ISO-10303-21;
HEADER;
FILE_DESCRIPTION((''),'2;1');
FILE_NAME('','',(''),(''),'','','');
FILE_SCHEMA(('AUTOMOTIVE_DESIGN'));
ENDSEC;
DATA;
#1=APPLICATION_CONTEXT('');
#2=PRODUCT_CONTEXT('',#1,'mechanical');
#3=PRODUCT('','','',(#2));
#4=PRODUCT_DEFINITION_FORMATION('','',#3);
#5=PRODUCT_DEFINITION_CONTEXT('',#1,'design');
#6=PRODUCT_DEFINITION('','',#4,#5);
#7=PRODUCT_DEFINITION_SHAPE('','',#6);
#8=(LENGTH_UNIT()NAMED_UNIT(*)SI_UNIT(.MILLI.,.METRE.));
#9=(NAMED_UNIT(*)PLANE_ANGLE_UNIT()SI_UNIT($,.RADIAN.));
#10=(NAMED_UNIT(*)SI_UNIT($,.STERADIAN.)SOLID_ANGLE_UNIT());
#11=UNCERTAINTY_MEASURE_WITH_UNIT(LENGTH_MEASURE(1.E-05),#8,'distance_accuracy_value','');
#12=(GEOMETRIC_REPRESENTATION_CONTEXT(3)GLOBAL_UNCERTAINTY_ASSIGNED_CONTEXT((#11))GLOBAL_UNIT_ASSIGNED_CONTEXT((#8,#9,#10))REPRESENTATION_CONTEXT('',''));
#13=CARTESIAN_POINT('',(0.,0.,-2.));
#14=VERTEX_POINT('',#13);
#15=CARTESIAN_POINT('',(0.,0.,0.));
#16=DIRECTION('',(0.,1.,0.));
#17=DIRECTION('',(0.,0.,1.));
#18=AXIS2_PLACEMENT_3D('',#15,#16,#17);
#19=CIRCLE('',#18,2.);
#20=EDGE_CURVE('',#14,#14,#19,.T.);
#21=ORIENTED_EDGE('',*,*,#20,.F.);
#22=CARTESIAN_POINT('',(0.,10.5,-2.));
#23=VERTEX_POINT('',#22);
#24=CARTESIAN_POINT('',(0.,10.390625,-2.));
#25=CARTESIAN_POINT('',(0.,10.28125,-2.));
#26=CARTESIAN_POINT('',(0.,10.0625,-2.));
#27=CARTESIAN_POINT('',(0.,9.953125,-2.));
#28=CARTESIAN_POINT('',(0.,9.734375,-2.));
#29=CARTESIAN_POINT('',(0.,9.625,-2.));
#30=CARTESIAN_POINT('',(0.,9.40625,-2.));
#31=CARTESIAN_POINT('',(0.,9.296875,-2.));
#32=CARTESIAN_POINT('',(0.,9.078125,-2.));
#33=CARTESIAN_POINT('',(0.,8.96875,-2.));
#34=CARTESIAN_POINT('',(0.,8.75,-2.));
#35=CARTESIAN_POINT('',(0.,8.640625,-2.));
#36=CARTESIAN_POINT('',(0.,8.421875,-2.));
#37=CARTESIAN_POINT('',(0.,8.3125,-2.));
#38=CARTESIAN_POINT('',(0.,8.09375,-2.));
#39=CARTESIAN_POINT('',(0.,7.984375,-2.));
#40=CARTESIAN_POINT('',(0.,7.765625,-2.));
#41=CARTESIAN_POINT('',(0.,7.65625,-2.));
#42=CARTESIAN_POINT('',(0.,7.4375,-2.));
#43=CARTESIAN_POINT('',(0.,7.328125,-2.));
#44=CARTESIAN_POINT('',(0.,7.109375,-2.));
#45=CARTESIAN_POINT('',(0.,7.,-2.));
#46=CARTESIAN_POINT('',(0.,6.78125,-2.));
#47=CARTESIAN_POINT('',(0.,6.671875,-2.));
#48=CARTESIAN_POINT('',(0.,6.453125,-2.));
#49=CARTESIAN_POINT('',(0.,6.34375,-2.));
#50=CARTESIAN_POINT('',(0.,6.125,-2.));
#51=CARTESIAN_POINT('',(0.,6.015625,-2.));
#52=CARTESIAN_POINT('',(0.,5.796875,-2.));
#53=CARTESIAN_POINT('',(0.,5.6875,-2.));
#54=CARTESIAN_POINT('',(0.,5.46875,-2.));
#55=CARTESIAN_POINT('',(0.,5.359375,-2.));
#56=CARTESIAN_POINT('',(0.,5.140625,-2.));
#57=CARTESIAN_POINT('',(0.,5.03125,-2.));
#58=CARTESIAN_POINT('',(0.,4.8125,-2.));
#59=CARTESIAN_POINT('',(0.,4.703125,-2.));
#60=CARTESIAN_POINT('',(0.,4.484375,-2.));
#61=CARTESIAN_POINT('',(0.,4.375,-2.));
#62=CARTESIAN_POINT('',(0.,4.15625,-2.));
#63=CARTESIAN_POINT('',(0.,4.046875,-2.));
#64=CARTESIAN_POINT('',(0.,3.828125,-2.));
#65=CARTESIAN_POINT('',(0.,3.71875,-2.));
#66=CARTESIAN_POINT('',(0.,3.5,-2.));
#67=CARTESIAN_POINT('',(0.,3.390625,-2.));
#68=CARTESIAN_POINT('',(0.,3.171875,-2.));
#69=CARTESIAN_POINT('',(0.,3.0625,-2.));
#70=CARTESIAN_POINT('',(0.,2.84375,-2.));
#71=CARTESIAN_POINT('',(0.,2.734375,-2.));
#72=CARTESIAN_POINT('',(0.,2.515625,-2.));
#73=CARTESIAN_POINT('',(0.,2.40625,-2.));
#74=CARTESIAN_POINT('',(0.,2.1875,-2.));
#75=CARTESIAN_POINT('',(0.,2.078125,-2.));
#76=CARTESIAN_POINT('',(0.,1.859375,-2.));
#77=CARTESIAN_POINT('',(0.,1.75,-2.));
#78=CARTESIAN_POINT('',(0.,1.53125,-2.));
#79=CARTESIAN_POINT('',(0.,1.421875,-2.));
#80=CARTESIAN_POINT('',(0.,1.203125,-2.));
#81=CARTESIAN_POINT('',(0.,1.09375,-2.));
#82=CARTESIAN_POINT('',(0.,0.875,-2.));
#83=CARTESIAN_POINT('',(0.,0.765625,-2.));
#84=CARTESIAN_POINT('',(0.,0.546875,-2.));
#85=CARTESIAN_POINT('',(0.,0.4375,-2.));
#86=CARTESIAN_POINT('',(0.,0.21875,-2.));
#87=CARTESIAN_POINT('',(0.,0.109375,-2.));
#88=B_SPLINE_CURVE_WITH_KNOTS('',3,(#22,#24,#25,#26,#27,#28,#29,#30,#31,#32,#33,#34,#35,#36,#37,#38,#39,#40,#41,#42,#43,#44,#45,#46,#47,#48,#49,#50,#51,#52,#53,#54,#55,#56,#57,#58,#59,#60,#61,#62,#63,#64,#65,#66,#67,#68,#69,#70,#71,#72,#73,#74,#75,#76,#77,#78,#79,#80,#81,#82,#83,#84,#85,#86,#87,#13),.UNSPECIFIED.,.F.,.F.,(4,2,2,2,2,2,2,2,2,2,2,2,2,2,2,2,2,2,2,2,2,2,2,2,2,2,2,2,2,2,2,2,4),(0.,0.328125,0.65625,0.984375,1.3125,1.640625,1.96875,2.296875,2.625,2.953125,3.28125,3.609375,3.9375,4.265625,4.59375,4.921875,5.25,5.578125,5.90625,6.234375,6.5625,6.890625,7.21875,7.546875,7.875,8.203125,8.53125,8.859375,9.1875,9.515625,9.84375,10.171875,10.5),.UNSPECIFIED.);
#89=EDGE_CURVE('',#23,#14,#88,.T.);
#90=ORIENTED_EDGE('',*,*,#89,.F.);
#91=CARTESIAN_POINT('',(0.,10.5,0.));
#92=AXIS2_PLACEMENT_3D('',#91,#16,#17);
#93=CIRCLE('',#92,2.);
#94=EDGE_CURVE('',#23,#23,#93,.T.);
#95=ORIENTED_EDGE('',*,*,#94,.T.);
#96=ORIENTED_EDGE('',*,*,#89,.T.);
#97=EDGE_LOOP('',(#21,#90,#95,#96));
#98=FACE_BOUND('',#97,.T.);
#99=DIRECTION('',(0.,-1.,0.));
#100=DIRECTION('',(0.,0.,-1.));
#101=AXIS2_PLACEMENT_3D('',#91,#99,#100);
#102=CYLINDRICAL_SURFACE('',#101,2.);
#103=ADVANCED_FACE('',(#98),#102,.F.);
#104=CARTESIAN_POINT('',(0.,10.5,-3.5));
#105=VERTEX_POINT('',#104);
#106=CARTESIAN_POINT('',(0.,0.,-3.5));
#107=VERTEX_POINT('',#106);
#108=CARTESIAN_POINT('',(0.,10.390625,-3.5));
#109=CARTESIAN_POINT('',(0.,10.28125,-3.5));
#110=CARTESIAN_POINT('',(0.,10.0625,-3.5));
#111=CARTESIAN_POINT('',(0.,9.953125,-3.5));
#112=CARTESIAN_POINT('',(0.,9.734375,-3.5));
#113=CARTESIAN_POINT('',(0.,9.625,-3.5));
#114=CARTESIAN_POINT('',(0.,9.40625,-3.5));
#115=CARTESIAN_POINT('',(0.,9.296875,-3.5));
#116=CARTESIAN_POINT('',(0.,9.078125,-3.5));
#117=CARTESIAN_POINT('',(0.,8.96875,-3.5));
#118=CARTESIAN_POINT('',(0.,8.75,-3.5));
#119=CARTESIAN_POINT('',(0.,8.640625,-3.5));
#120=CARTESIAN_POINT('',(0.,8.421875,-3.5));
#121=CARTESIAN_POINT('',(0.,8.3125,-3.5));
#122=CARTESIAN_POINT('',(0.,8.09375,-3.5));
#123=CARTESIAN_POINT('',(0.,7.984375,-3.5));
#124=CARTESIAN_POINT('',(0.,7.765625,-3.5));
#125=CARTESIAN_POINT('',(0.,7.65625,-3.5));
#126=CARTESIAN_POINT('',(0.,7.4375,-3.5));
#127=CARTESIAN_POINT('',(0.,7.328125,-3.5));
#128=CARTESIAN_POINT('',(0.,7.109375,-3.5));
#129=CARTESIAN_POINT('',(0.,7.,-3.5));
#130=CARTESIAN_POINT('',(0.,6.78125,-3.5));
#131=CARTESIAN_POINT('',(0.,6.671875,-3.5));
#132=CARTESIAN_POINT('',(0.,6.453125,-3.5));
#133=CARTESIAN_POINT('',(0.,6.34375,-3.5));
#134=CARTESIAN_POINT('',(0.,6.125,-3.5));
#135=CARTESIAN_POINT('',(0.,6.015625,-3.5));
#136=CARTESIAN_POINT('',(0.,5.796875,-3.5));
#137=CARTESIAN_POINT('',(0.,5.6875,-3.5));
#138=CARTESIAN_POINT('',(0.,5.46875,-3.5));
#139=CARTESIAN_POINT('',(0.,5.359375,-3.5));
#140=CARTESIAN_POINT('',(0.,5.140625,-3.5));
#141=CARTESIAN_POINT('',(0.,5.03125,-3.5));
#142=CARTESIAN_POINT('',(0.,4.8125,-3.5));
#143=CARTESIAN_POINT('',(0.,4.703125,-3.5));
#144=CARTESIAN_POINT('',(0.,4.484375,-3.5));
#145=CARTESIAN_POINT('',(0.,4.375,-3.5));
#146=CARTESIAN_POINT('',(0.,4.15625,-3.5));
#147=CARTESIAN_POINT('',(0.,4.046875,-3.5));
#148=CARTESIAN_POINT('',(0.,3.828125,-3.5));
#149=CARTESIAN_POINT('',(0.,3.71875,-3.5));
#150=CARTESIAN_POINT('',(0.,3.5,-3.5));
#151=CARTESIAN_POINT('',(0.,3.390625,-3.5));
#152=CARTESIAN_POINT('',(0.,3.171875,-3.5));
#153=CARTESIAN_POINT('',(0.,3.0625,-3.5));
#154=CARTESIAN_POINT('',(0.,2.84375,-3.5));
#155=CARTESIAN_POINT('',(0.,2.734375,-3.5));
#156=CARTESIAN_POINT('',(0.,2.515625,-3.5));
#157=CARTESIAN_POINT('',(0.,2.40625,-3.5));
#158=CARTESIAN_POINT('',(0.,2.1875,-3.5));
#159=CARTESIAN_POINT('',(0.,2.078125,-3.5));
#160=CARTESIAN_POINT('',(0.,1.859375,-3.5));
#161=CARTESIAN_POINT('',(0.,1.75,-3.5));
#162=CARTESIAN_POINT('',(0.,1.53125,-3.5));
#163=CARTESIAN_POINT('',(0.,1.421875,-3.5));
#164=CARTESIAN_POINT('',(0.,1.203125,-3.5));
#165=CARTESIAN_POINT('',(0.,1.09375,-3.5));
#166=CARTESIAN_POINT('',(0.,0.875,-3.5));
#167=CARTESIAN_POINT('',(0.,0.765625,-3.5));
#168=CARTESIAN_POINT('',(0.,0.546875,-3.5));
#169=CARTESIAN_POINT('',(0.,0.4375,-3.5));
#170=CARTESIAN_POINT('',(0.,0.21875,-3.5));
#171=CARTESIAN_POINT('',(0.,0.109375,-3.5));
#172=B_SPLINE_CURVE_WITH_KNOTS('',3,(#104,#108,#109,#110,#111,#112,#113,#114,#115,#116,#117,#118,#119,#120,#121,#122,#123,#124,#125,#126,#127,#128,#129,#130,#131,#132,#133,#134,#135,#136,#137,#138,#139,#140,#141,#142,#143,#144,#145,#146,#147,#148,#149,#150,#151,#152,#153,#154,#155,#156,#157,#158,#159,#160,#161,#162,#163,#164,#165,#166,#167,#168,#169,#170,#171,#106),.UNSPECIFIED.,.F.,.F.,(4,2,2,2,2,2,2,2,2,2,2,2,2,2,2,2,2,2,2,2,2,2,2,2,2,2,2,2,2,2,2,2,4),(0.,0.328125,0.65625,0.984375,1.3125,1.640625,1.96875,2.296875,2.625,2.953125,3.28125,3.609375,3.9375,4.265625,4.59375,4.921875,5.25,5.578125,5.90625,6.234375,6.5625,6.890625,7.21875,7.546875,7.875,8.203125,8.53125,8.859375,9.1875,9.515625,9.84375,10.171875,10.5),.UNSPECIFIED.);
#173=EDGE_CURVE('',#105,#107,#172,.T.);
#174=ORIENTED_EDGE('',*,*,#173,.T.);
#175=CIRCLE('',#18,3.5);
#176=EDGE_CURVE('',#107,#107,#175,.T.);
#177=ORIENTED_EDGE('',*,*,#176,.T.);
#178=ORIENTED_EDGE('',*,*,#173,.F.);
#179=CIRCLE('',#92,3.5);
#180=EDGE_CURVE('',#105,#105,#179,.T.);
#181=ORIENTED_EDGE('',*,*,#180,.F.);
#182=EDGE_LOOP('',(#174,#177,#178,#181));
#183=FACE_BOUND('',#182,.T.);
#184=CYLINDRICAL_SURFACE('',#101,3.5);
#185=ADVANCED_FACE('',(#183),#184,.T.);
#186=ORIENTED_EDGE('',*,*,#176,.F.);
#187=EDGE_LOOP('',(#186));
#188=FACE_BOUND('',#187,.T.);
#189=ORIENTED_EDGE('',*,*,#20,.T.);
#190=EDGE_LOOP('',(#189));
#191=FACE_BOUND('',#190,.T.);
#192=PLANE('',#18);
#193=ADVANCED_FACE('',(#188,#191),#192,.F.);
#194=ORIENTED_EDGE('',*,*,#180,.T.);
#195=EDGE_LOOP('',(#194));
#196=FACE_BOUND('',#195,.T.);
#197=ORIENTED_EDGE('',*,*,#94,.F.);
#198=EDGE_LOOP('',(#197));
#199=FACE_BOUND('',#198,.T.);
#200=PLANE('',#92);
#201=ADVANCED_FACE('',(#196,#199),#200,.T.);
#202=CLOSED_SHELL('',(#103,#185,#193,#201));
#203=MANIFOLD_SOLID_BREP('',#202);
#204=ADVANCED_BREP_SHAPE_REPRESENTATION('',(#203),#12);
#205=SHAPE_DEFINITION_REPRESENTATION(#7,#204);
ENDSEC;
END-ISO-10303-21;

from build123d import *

# Parameters (mm, degrees)
SKETCH1_R           = 3.5
SKETCH1_R_2         = 2
BOSS_EXTRUDE1_DEPTH = 10.5


with BuildPart() as part:
    # Sketch1 → Boss-Extrude1 (new body)
    with BuildSketch(Plane(origin=(0, 0, 0), x_dir=(1, 0, 0), z_dir=(0, 1, 0))):
        with Locations(Location((0, 0, 0), (0, 0, 90))):
            Circle(SKETCH1_R)
        with Locations(Location((0, 0, 0), (0, 0, 90))):
            Circle(SKETCH1_R_2, mode=Mode.SUBTRACT)
    extrude(amount=BOSS_EXTRUDE1_DEPTH)


solid = part.part
